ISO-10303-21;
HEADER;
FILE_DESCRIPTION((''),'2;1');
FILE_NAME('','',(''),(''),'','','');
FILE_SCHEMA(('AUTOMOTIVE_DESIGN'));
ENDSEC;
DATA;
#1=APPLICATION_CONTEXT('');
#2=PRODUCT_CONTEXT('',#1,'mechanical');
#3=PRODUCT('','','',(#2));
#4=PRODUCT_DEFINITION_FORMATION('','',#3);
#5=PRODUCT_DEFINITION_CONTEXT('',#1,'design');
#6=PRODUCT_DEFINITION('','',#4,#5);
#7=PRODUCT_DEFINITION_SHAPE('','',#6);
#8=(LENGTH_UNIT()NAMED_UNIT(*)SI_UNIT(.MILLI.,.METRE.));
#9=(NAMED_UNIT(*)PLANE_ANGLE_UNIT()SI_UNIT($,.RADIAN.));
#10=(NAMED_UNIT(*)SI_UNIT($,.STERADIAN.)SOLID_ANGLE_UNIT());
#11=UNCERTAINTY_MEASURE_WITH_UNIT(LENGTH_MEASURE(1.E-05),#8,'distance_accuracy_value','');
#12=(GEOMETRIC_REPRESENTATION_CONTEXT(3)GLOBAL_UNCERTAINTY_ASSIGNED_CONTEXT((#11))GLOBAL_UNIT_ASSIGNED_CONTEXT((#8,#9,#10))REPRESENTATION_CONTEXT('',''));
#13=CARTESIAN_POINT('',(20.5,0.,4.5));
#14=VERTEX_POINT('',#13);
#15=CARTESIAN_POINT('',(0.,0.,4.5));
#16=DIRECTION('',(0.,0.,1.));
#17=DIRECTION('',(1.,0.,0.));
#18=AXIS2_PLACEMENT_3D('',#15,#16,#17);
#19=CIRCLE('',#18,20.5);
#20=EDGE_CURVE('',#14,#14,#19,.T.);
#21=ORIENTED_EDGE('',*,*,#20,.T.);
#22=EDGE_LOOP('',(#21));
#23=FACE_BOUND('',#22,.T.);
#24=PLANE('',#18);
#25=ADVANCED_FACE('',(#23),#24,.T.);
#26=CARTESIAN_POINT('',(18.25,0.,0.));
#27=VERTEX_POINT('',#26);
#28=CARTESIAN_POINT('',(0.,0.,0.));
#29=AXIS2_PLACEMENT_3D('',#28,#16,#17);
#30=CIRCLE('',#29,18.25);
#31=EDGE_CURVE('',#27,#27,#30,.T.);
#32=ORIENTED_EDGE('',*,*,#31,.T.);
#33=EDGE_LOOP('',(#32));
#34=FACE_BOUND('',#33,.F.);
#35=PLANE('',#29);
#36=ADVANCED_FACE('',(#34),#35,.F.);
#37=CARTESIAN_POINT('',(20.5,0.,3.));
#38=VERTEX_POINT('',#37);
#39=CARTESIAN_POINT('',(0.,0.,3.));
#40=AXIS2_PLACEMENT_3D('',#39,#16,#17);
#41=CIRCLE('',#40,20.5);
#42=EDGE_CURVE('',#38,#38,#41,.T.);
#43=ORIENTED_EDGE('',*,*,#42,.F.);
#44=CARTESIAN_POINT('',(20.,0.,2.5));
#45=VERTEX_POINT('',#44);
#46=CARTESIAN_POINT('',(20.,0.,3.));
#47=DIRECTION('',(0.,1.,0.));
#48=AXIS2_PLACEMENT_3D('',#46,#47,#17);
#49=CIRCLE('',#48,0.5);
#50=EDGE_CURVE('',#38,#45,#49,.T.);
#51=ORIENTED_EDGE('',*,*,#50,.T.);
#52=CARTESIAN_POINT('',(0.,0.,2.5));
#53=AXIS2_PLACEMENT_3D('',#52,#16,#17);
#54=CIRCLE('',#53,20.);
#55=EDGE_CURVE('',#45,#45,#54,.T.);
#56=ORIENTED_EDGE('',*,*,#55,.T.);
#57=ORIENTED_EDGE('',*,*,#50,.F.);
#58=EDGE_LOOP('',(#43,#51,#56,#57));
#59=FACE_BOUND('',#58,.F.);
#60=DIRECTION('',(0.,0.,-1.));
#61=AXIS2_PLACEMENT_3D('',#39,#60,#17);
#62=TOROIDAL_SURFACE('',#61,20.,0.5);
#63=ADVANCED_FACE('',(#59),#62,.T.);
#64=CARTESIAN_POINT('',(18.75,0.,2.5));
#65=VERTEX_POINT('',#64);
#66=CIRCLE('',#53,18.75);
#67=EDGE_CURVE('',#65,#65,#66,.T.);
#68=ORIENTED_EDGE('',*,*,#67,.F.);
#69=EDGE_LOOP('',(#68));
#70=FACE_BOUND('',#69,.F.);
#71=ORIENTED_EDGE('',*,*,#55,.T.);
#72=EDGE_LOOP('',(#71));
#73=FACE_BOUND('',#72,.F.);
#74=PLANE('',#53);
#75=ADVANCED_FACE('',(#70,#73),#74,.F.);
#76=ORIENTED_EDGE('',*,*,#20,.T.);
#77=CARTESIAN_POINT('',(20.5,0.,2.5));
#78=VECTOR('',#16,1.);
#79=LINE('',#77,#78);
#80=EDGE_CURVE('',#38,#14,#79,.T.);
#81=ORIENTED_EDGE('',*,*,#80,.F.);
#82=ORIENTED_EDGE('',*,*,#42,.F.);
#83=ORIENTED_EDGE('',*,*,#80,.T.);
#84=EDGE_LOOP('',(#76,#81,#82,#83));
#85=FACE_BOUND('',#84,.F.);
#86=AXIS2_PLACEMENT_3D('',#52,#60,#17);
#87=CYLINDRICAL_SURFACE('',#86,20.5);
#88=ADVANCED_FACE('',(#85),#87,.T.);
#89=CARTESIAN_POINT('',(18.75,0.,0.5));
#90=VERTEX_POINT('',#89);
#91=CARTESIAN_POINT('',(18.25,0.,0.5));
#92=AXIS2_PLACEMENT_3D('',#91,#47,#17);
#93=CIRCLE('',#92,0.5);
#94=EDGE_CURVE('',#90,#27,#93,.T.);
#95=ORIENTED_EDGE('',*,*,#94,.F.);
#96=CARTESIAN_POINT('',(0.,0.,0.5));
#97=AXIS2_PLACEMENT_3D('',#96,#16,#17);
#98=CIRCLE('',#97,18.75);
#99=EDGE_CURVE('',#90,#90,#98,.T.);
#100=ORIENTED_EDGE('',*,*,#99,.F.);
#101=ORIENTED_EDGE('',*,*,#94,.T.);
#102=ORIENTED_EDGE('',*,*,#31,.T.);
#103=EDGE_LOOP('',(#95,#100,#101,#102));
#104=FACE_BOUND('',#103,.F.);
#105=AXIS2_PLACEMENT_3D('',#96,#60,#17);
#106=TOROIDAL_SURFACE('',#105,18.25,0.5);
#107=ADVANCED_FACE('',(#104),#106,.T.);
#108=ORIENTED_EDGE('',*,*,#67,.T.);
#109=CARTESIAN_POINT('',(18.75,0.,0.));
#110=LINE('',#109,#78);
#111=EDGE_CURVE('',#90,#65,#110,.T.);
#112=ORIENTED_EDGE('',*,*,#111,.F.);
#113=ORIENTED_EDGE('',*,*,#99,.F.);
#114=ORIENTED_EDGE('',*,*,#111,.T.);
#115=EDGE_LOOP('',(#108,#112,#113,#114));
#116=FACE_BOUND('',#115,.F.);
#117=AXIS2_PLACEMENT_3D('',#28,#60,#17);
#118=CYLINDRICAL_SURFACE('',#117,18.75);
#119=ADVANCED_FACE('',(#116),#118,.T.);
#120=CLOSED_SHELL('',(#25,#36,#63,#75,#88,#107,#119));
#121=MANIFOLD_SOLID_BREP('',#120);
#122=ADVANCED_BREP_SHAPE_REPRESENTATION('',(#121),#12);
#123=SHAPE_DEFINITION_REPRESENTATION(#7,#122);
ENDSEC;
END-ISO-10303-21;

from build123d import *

# Parameters (mm, degrees)
F0_R     = 18.75
F1_DEPTH = 2.5
F2_R     = 0.5
F3_R     = 20.5
F4_DEPTH = 2
F5_R     = 0.5


with BuildPart() as f1:
    # F0 (on Top) → F1 (new body)
    with BuildSketch(Plane.XY):
        Circle(F0_R)
    extrude(amount=F1_DEPTH)

    # F2
    f2_edges = [f1.edges().sort_by_distance(p)[0] for p in [
        (-18.75, 0, 0),
    ]]
    fillet(f2_edges, radius=F2_R)

    # F3 (on face) → F4 (join)
    with BuildSketch(Plane.XY.offset(2.5)):
        Circle(F3_R)
    extrude(amount=F4_DEPTH)

    # F5
    f5_edges = [f1.edges().sort_by_distance(p)[0] for p in [
        (-20.5, 0, 2.5),
    ]]
    fillet(f5_edges, radius=F5_R)


solid = f1.part
